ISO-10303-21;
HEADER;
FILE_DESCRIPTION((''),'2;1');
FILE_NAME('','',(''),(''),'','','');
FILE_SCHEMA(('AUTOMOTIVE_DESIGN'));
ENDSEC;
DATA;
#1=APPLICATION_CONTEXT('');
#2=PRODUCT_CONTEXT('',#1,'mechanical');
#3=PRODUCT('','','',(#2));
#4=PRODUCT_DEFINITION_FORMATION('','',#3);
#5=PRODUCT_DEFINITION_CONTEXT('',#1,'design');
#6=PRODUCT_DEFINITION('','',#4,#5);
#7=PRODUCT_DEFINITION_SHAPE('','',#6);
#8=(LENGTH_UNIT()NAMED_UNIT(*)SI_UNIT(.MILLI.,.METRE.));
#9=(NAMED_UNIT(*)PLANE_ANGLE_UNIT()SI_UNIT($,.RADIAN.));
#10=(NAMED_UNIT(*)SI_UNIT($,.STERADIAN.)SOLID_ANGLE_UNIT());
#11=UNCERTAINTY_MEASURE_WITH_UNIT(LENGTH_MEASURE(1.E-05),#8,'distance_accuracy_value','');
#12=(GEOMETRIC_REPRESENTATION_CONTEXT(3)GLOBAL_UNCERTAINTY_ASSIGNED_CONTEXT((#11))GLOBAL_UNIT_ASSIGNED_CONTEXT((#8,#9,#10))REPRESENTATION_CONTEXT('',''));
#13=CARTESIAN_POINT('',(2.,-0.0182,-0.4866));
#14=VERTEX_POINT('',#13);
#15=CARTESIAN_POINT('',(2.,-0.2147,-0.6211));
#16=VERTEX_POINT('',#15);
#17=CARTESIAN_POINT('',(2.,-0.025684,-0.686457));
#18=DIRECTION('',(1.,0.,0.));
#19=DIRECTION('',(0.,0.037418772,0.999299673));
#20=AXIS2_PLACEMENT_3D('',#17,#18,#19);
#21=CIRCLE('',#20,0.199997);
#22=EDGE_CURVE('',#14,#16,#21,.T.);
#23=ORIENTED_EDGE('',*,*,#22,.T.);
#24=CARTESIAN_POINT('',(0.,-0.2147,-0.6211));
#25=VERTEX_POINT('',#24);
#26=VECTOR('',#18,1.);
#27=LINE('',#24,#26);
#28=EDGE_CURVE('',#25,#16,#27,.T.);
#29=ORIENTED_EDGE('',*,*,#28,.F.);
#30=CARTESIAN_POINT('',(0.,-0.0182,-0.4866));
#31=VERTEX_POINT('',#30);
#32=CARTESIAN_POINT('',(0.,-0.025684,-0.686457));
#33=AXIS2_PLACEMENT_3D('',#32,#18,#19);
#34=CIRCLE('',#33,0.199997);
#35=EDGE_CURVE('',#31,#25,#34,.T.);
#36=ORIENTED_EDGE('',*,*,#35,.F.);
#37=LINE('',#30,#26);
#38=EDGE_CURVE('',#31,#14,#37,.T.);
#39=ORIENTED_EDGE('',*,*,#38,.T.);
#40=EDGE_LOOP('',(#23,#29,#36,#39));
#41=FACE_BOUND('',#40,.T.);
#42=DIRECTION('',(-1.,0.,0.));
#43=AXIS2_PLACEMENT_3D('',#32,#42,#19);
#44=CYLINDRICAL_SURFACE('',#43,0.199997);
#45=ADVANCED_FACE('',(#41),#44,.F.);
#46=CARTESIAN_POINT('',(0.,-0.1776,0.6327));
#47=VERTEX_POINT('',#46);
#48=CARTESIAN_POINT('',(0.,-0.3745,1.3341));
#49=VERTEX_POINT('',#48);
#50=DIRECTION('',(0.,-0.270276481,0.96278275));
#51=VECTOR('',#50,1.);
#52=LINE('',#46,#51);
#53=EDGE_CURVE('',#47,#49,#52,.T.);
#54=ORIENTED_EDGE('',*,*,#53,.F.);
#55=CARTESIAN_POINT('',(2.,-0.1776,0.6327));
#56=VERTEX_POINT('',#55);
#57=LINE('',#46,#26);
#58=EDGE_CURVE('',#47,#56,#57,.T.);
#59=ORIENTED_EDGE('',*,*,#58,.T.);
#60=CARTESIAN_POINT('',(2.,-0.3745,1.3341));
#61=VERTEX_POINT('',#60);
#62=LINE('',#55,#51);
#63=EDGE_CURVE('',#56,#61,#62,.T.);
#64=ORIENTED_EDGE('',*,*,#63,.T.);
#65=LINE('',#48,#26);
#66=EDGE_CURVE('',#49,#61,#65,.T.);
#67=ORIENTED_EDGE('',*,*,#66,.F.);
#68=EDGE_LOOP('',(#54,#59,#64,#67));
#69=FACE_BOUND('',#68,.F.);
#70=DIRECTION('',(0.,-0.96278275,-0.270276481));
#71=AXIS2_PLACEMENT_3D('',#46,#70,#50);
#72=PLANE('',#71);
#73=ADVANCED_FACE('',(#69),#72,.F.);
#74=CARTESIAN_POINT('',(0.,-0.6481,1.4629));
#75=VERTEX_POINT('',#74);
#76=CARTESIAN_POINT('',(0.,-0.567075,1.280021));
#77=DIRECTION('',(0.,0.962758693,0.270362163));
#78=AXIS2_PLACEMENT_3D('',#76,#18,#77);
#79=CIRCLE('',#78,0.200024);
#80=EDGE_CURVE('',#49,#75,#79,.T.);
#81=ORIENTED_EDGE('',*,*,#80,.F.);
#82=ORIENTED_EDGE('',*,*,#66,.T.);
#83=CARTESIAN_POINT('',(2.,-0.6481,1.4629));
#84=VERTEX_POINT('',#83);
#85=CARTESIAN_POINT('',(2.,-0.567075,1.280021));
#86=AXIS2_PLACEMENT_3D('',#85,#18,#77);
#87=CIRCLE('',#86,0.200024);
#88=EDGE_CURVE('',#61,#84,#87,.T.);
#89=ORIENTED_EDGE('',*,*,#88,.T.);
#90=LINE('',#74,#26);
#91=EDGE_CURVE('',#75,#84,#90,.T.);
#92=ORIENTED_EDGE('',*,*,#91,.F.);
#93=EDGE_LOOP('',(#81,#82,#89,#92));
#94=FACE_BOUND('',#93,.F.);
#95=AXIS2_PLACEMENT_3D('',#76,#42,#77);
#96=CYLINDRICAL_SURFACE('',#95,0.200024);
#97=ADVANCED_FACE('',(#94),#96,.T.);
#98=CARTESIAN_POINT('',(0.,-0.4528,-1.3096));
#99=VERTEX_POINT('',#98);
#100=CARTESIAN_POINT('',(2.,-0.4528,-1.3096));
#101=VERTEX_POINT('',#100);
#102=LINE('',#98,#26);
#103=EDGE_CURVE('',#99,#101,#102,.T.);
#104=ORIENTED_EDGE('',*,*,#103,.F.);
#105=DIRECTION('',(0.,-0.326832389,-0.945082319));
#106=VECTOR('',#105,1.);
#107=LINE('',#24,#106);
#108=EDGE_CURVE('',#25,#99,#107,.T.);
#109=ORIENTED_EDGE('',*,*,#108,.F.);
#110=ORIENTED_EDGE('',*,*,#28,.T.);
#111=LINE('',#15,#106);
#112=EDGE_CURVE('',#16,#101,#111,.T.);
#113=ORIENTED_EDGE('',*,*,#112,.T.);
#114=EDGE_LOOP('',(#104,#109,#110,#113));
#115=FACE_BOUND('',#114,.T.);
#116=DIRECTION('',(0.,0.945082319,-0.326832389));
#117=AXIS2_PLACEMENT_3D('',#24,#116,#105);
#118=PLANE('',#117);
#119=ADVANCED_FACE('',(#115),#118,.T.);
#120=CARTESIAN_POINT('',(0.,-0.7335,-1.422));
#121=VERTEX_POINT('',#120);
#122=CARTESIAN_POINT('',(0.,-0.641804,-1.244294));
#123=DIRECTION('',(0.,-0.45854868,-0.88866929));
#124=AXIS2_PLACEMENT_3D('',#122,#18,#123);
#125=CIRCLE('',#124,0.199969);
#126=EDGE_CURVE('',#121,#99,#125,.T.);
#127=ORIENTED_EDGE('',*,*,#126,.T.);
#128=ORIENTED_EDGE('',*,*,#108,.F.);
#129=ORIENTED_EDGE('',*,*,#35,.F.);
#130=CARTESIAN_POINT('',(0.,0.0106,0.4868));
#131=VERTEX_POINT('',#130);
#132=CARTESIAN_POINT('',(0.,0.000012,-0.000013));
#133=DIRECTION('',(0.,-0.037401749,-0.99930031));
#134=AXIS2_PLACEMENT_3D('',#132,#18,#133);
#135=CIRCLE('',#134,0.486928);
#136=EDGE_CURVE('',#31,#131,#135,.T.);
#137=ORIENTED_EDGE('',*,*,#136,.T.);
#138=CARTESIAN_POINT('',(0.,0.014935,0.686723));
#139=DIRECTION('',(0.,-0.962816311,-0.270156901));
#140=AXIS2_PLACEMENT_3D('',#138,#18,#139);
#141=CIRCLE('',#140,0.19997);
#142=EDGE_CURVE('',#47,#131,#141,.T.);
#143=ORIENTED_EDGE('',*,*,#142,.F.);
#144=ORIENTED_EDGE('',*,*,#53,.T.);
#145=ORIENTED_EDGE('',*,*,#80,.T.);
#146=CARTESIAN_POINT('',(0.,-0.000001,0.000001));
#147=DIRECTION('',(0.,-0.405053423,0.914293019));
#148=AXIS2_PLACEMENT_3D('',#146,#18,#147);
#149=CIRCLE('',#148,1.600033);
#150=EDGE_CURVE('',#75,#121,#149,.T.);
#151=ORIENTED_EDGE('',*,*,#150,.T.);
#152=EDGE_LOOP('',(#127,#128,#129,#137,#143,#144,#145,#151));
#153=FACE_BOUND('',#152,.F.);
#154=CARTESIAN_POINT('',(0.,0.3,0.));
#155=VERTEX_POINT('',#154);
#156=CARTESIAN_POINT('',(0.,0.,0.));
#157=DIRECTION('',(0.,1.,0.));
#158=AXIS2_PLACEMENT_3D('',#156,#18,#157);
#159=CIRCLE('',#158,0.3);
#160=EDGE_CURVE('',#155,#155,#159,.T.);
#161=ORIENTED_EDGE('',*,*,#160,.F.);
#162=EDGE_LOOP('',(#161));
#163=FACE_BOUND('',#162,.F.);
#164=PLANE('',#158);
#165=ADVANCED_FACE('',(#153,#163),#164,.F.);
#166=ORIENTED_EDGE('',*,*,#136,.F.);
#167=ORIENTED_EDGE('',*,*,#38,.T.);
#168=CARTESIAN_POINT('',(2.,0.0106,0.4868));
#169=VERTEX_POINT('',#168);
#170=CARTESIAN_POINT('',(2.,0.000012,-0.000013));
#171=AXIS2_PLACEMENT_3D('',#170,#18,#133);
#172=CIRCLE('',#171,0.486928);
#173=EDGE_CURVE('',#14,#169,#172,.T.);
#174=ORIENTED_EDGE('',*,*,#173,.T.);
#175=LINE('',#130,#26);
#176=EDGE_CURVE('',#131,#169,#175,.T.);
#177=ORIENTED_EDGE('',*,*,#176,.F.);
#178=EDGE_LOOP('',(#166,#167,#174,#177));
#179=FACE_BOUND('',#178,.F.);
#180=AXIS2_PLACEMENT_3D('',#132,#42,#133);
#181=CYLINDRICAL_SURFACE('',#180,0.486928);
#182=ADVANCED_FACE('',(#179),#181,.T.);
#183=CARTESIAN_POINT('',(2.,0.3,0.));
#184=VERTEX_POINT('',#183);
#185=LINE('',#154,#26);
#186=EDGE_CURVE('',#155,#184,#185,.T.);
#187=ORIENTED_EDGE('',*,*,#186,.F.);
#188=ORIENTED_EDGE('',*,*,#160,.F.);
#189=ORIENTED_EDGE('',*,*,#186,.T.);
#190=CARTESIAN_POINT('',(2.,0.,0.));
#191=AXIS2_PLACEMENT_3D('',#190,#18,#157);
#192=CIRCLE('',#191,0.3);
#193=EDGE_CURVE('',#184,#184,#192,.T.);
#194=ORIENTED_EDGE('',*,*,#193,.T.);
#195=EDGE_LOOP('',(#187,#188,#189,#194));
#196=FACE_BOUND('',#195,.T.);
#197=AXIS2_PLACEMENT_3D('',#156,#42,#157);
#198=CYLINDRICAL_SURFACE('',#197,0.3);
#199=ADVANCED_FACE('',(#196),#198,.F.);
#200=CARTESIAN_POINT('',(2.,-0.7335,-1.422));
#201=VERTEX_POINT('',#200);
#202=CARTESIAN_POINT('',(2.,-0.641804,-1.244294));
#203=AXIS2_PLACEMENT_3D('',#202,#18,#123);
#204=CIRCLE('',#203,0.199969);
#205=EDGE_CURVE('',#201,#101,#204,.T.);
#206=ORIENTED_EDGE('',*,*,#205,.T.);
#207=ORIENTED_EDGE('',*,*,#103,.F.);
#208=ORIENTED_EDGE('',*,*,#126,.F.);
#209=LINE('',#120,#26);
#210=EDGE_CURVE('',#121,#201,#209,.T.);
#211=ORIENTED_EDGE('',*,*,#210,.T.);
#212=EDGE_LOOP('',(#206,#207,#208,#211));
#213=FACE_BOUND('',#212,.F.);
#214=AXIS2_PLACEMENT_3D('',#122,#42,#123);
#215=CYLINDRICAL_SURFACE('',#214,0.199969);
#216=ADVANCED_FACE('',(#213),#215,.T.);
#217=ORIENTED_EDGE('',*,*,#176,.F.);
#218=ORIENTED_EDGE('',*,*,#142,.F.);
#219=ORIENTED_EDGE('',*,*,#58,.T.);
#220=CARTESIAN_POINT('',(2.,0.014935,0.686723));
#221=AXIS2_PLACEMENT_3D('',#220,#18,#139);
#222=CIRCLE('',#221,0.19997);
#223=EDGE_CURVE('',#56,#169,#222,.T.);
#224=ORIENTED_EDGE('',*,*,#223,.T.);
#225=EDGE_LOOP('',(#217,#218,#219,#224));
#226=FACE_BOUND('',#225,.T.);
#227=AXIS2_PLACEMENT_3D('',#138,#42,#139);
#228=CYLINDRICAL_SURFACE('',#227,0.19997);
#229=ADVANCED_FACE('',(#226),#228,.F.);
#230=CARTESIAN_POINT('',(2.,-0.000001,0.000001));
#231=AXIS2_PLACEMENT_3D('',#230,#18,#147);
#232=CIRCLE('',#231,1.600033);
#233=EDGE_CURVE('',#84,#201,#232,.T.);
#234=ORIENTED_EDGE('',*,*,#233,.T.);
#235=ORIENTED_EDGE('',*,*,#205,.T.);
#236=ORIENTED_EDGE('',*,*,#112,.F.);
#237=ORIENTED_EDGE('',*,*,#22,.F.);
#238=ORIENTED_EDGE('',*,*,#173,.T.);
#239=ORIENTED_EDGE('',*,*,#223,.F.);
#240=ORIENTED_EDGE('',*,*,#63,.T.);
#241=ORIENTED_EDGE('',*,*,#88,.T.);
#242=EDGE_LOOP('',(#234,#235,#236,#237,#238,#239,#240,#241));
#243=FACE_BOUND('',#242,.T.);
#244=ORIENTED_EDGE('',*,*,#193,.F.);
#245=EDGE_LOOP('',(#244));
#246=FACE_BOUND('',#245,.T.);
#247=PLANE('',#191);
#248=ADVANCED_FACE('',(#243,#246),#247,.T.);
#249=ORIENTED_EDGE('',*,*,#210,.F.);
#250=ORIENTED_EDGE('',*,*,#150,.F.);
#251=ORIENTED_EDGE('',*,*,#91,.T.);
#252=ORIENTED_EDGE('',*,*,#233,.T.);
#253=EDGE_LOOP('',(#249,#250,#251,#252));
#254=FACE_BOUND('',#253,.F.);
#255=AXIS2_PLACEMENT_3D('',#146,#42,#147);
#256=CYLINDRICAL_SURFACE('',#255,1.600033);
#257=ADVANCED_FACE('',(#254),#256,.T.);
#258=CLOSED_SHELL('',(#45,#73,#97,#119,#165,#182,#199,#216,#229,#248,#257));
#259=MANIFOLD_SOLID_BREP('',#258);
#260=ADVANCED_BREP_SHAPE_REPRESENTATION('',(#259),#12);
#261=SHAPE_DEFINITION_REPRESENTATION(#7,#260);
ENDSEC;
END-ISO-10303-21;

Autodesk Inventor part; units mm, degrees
ref_plane "YZ Plane" through (0, 0, 0) normal (1, 0, 0) x (0, 1, 0)
ref_plane "XZ Plane" through (0, 0, 0) normal (0, 1, 0) x (-1, 0, 0)
ref_plane "XY Plane" through (0, 0, 0) normal (0, 0, 1) x (1, 0, 0)
sketch "Sketch1" plane through (0, 0, 0) normal (1, 0, 0) x (0, 1, 0)
  arc A0 (-0.6481, 1.4629) -> (-0.7335, -1.422) centre (0, 0) ccw
  circle A1 centre (0, 0) radius 0.3
  arc A2 (-0.0182, -0.4866) -> (0.0106, 0.4868) centre (0, 0) ccw
  line L0 (-0.1776, 0.6327) -> (-0.3745, 1.3341)
  line L1 (-0.2147, -0.6211) -> (-0.4528, -1.3096)
  arc A3 (-0.0182, -0.4866) -> (-0.2147, -0.6211) centre (-0.0257, -0.6864) ccw
  arc A4 (-0.1776, 0.6327) -> (0.0106, 0.4868) centre (0.0149, 0.6867) ccw
  arc A5 (-0.3745, 1.3341) -> (-0.6481, 1.4629) centre (-0.5671, 1.28) ccw
  arc A6 (-0.7335, -1.422) -> (-0.4528, -1.3096) centre (-0.6418, -1.2442) ccw
  point P0 (-0.1464, 0.3788)
  point P1 (-0.4325, 1.5404)
  point P2 (-0.5229, -1.5122)
  point P3 (-0.1316, 0.4688)
  point P4 (-0.1591, -0.4602)
  dimension "d3" = 0.6
  dimension "d10" = 0.2
extrude "Extrusion1" add sketch "Sketch1" along normal blind 2
properties part number "Cam" material "GFRC"
